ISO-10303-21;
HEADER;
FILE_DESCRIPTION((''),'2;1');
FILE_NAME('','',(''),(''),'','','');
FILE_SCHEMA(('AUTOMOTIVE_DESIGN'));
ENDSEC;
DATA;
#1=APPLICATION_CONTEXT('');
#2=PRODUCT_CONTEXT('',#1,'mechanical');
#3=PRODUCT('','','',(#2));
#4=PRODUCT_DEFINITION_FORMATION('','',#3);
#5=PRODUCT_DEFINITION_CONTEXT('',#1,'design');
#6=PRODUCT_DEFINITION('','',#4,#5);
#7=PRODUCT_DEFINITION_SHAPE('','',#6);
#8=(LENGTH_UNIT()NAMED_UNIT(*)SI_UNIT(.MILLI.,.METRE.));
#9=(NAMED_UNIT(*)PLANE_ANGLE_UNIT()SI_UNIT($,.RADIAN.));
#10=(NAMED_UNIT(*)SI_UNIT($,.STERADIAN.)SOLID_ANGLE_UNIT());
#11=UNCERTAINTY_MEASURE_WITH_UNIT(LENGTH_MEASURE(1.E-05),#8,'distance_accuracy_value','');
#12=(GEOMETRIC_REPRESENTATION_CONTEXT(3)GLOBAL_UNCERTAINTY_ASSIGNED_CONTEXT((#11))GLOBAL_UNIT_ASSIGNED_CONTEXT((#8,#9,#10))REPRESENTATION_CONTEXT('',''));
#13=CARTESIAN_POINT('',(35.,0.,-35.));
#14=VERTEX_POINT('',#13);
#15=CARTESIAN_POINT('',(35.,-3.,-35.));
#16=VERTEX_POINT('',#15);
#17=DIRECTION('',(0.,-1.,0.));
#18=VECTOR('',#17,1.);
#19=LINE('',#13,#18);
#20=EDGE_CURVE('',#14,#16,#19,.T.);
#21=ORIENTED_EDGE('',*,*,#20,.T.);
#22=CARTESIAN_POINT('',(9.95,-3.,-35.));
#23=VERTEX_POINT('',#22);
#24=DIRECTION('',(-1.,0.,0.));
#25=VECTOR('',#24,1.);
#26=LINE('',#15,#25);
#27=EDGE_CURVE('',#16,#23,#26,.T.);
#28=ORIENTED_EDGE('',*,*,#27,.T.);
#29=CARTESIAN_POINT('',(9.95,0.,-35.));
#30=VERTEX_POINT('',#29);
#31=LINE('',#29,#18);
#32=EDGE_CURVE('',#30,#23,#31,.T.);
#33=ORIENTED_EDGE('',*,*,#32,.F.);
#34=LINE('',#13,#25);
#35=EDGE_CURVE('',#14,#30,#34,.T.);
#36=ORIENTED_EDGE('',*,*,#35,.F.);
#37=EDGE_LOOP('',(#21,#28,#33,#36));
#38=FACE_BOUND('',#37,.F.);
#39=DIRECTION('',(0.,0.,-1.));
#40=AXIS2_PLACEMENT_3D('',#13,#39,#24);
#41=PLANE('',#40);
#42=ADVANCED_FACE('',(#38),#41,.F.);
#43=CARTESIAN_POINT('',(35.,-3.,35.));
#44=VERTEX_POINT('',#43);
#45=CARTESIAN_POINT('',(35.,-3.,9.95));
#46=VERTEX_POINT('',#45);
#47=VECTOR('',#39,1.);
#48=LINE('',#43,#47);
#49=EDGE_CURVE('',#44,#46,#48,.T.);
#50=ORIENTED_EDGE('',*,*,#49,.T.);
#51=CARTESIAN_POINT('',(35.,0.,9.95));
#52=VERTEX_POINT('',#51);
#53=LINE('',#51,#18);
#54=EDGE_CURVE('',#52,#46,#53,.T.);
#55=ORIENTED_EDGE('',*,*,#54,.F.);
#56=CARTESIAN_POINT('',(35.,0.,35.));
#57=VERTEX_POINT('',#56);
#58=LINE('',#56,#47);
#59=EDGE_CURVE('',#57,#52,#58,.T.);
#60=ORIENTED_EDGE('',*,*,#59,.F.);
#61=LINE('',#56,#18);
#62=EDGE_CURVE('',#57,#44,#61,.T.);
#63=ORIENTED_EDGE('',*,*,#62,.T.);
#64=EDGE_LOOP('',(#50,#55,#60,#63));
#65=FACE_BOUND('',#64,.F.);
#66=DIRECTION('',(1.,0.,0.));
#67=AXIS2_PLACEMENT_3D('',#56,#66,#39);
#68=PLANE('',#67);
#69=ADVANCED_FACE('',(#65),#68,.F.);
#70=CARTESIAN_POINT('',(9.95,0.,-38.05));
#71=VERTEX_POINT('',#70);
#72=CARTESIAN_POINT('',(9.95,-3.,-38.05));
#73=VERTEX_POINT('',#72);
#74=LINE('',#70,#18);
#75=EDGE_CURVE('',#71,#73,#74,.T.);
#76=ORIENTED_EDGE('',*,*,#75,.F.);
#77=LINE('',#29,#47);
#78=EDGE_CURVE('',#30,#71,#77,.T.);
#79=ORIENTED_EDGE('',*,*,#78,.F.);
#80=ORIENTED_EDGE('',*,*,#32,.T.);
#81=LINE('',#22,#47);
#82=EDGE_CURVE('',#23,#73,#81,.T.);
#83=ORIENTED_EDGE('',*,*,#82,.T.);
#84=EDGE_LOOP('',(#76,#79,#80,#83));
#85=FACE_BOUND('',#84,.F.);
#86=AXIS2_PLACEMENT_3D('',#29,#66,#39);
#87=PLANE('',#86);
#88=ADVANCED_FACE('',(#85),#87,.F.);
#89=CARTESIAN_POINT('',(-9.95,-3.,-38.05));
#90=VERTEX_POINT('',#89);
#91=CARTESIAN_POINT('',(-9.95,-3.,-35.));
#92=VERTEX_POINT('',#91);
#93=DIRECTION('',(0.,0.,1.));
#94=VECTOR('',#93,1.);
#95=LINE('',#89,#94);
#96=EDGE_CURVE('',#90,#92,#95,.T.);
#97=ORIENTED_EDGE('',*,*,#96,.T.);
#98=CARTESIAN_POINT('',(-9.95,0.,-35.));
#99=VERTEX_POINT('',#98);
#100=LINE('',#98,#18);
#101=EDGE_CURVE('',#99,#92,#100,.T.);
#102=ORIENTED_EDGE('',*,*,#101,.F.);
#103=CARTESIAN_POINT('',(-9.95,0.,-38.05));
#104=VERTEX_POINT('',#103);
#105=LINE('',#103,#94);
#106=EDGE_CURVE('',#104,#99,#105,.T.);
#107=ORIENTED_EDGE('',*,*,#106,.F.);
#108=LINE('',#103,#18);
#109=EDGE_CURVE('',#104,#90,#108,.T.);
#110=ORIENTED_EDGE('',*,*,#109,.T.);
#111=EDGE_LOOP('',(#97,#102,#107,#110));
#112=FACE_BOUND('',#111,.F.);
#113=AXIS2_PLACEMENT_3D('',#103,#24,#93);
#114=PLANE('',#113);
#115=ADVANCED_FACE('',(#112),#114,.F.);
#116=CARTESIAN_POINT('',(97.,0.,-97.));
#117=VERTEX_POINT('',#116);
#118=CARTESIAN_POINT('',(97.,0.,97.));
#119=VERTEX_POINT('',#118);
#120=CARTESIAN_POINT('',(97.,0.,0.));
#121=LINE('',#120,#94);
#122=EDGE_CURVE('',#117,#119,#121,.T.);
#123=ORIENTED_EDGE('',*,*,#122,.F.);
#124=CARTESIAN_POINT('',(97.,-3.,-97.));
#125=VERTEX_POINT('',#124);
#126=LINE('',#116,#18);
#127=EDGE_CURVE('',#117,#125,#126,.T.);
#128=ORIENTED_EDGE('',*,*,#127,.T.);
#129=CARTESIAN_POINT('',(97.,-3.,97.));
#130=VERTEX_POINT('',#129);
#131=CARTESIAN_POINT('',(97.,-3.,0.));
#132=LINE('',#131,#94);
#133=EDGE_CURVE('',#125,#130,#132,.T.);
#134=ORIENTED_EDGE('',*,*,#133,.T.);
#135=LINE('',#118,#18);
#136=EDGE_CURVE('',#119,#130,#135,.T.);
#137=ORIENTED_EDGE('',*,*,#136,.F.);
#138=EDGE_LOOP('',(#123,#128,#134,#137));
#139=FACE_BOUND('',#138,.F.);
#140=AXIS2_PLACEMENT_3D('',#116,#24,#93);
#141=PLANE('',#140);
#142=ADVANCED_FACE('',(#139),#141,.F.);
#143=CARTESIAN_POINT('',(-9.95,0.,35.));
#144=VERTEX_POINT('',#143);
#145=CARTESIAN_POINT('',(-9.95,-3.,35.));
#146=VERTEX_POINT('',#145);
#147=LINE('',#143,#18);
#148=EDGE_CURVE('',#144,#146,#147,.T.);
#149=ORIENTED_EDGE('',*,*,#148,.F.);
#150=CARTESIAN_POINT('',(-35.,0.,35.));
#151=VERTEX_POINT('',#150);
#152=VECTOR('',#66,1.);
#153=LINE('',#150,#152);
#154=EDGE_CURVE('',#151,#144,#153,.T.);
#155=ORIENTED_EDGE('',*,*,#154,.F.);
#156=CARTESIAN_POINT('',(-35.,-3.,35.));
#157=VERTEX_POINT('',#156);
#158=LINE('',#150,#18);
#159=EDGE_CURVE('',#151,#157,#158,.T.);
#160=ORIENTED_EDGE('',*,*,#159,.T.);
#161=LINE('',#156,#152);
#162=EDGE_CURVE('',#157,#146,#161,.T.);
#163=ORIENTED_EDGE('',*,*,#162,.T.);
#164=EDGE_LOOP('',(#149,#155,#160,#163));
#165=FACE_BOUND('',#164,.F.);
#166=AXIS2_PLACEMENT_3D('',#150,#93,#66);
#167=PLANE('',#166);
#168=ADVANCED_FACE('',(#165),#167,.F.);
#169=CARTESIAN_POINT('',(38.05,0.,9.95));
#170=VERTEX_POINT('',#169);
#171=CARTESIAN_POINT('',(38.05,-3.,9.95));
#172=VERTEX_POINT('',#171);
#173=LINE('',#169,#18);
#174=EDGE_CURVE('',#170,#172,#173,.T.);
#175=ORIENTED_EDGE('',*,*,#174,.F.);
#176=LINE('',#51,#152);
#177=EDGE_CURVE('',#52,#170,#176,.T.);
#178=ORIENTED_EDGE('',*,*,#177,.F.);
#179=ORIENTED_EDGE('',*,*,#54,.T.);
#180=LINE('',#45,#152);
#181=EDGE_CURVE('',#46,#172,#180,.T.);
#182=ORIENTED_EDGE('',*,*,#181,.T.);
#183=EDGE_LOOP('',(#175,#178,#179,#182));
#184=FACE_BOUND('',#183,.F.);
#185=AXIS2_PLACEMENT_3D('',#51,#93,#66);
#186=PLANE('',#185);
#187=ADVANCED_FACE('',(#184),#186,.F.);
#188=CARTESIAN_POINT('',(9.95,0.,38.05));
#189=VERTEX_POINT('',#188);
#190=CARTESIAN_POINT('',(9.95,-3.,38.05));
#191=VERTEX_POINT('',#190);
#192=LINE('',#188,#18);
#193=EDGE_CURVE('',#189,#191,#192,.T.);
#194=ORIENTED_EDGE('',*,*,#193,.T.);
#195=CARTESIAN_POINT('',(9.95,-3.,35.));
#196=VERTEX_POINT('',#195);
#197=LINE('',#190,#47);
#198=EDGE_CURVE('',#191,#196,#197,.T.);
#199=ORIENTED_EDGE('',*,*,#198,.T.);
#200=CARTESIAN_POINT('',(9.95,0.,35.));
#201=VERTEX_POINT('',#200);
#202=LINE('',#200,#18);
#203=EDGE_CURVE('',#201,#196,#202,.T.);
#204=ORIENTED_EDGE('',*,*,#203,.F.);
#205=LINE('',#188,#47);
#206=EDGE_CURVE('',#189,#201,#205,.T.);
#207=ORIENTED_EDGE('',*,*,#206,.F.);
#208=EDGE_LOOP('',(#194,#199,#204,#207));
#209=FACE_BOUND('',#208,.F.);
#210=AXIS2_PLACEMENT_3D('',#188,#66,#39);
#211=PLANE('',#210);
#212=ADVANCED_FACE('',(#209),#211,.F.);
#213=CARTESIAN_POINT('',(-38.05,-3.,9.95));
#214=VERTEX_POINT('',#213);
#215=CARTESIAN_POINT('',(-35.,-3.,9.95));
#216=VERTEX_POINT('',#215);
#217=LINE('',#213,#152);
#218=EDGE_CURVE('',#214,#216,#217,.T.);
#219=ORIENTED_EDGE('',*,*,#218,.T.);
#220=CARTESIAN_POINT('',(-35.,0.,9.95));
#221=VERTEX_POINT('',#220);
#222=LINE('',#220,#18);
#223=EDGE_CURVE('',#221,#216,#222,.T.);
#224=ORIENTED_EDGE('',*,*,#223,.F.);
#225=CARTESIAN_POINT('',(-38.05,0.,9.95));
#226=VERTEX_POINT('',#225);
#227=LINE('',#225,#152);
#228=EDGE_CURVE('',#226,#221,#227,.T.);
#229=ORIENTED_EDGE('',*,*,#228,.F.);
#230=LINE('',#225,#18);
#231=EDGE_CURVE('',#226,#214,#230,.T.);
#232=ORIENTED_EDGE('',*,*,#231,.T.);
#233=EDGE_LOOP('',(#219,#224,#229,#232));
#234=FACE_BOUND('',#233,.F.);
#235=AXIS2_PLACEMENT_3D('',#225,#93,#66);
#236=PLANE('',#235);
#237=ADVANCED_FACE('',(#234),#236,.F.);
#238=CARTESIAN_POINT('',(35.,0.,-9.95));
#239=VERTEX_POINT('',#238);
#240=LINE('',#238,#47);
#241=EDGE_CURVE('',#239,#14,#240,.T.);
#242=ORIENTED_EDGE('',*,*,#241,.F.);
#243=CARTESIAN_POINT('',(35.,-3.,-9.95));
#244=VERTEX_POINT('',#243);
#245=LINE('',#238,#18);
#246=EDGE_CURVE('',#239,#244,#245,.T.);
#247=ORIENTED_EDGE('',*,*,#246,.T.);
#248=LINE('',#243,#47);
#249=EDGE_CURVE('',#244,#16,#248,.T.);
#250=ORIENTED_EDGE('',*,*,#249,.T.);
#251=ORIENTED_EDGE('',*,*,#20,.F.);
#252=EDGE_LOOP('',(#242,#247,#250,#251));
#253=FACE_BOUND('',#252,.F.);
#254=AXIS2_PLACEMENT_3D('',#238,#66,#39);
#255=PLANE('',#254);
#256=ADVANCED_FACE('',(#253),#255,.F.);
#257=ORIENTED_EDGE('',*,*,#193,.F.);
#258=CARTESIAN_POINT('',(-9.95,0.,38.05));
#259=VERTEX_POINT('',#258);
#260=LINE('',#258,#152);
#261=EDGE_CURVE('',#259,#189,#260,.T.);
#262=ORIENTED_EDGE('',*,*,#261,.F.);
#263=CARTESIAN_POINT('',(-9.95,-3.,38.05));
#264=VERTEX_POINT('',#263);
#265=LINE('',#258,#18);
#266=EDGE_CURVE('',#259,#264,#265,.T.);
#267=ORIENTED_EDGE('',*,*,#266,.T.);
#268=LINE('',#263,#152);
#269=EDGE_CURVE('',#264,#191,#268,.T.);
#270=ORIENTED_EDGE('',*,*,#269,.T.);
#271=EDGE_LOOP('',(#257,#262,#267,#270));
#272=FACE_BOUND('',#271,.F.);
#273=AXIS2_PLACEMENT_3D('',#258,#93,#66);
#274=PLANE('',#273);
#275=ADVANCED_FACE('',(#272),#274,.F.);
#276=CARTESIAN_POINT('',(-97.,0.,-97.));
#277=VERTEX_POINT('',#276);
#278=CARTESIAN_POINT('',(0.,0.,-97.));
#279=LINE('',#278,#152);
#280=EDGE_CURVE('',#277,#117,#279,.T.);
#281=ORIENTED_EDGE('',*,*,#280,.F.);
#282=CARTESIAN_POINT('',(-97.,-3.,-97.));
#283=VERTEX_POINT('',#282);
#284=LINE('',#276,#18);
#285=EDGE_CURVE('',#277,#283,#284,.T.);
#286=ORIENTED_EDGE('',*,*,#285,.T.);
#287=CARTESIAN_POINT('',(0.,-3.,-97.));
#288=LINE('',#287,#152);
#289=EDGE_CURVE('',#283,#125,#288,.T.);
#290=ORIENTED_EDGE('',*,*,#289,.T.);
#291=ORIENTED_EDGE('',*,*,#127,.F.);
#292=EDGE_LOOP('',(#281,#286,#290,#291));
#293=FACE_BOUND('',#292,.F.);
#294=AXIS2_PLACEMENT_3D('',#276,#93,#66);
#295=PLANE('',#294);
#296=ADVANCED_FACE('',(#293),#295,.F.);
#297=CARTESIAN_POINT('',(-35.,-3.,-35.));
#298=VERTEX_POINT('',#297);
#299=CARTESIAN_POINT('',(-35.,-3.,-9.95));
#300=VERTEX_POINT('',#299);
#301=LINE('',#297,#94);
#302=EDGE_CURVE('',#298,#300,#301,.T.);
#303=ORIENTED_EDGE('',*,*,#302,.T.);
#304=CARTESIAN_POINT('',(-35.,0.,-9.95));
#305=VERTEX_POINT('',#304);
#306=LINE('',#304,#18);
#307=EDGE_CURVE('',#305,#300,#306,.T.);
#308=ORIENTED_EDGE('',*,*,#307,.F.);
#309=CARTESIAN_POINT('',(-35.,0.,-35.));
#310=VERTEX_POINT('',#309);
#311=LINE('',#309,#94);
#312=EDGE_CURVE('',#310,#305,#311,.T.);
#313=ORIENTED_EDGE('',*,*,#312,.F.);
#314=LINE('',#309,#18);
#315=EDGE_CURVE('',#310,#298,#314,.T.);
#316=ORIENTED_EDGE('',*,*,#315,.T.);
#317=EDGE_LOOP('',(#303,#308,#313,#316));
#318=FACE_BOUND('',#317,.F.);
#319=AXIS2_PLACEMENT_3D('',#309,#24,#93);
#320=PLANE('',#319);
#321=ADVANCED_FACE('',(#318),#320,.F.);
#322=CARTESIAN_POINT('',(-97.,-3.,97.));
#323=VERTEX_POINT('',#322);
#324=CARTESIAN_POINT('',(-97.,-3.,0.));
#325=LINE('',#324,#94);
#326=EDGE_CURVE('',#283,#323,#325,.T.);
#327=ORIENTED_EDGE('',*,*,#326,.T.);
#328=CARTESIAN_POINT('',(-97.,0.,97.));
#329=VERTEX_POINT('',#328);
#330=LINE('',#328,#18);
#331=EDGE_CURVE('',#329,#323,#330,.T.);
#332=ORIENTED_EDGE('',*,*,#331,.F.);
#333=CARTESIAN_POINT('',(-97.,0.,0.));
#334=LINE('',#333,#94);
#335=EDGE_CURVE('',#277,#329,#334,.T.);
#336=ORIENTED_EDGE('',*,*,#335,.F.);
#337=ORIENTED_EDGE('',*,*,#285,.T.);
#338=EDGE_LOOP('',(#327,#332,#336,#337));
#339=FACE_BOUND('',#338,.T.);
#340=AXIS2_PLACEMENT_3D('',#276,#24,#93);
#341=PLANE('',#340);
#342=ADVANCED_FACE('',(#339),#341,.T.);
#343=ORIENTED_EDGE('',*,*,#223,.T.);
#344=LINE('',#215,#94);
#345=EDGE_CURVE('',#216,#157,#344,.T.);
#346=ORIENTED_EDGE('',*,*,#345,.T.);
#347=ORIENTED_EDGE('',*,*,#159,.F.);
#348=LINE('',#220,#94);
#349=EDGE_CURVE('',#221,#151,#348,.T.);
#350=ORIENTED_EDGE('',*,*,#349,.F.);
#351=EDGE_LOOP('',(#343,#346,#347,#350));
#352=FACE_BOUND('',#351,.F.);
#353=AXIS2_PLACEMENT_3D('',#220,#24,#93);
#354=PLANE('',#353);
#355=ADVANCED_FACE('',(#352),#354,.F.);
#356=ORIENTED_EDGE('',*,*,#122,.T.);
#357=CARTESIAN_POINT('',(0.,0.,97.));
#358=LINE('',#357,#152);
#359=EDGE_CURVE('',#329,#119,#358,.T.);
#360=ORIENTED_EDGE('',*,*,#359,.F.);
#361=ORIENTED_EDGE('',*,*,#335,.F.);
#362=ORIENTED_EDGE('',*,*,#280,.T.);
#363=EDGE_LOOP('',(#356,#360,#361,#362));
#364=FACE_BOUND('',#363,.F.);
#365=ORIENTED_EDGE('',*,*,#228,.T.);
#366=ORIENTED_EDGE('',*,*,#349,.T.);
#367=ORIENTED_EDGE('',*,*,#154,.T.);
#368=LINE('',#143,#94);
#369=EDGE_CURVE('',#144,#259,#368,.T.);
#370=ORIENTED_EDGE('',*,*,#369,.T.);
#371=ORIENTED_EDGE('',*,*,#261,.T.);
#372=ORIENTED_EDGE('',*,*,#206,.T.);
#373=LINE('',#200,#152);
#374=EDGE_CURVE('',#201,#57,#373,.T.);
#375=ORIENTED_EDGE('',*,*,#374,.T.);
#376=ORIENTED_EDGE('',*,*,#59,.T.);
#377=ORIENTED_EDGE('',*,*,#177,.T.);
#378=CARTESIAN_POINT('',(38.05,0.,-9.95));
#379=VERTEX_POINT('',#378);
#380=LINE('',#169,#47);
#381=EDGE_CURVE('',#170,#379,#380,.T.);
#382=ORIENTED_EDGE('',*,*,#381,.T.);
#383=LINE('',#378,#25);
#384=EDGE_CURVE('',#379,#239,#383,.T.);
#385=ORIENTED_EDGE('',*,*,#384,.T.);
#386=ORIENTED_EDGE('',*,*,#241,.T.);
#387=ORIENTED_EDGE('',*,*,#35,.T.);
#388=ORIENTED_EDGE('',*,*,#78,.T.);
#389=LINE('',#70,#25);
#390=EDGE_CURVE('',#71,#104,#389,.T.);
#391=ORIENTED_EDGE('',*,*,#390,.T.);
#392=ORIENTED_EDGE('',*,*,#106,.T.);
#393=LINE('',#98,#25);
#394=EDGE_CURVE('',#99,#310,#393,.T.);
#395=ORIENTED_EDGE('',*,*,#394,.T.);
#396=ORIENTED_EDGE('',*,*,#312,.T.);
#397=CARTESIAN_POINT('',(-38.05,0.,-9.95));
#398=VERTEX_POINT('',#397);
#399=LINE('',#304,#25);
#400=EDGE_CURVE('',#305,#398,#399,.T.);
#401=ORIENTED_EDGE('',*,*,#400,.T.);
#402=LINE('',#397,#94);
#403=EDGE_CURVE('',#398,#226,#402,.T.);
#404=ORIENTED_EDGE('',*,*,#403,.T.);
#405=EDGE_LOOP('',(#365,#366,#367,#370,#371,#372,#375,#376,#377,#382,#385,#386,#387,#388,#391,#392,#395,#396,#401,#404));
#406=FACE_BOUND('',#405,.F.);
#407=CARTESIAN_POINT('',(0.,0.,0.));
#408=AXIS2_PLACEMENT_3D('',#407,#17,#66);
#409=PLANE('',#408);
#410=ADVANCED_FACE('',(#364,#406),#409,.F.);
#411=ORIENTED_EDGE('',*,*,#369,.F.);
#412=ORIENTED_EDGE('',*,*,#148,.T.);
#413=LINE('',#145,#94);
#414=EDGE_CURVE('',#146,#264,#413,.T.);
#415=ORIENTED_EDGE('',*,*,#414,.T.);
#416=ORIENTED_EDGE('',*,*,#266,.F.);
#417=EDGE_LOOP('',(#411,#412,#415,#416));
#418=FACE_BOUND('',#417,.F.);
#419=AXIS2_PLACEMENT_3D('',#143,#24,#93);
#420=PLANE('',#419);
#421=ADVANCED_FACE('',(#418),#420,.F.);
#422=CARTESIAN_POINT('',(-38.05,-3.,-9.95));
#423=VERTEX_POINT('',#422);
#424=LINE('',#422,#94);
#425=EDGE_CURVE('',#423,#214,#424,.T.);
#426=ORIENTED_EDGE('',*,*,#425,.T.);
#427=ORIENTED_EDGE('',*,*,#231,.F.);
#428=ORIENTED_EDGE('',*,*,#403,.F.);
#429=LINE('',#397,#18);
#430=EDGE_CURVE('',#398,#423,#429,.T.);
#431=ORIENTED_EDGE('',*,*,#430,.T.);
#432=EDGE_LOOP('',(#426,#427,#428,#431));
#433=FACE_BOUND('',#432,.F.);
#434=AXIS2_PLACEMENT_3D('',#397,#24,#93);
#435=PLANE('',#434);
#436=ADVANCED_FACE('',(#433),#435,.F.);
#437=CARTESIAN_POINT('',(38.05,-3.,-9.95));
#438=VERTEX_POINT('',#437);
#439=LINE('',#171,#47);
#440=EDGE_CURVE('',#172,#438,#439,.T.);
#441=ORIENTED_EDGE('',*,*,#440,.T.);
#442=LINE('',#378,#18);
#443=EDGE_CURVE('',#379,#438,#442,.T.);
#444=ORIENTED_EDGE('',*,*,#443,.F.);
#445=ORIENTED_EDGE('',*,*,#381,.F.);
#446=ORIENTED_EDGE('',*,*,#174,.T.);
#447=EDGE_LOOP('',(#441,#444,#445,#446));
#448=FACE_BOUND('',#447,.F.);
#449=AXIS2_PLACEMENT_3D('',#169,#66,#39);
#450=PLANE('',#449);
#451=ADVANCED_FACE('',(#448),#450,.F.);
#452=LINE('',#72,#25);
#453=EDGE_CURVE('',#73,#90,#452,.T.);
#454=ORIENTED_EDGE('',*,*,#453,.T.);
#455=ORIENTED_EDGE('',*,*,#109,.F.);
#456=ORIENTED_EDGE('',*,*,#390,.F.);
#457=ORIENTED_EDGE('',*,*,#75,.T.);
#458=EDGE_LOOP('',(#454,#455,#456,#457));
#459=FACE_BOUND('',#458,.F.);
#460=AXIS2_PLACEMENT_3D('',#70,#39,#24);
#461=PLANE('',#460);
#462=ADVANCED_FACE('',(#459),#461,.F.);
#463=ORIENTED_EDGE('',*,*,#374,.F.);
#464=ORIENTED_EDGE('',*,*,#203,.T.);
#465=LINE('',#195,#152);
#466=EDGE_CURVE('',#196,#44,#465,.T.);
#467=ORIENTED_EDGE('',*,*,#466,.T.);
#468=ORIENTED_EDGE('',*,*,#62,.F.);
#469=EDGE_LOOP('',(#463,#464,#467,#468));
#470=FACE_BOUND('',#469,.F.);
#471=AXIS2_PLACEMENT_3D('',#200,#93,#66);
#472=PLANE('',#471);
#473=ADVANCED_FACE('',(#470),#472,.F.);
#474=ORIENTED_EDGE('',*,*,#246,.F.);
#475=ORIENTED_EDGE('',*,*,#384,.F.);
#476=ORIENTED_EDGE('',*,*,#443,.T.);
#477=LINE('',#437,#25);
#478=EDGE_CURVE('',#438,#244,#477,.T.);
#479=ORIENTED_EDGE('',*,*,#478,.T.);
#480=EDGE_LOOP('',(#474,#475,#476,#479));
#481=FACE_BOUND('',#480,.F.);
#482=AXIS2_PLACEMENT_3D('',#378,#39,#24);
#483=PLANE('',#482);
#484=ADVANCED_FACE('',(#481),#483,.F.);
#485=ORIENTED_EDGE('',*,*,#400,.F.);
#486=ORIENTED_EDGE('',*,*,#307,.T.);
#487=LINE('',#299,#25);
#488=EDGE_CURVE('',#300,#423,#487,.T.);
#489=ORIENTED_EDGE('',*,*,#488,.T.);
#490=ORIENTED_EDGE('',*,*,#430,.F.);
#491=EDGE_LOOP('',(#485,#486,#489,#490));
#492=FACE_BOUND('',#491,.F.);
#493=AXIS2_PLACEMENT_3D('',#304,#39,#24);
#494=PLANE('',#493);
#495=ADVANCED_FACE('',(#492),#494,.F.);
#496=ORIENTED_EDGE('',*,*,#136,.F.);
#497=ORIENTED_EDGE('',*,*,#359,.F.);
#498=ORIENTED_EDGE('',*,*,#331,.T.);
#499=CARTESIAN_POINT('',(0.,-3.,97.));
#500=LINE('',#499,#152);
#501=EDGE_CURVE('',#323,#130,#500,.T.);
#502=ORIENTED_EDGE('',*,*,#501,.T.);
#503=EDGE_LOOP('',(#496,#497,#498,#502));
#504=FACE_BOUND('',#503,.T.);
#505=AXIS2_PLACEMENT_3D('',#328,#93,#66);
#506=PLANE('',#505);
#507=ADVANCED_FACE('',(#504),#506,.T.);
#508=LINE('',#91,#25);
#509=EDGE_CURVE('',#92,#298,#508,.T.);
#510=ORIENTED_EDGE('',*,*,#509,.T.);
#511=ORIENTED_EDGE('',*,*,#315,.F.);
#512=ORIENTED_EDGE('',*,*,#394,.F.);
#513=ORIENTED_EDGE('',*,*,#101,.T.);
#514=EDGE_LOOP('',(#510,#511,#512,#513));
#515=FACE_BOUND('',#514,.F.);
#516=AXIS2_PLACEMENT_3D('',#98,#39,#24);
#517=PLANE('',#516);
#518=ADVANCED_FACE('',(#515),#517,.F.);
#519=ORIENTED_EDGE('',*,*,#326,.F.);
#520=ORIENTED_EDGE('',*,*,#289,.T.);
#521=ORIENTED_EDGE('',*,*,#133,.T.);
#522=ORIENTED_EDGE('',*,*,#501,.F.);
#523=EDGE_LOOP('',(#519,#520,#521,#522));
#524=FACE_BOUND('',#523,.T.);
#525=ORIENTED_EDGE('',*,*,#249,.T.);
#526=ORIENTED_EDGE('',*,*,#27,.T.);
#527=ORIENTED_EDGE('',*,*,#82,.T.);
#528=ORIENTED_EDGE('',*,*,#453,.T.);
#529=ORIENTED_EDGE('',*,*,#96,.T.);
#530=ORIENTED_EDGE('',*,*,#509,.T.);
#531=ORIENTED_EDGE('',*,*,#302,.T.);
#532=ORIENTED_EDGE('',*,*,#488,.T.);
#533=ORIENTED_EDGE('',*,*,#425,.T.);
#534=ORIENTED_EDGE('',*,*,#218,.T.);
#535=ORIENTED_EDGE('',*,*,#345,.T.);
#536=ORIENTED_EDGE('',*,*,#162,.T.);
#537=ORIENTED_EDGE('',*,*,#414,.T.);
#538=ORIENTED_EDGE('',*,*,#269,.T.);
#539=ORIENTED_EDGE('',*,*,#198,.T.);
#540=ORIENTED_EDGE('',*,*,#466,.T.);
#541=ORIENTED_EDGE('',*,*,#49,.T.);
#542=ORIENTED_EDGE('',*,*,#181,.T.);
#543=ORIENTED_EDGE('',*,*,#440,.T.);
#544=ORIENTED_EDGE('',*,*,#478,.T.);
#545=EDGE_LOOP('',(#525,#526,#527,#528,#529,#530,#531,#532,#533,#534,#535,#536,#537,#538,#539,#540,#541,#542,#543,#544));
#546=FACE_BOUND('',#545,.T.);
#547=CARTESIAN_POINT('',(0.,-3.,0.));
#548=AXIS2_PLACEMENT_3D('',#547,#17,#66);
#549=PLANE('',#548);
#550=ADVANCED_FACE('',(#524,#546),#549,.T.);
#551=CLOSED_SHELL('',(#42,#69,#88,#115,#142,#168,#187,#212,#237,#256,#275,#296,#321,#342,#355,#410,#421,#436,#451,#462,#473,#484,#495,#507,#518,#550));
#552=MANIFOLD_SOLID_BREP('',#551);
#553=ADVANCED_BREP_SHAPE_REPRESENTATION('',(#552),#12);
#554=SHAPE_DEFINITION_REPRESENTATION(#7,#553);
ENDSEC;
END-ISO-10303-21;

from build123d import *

# Parameters (mm, degrees)
F0_W     = 194
F0_H     = 194
F1_DEPTH = 3


with BuildPart() as f1:
    # F0 (on Front) → F1 (new body)
    with BuildSketch(Plane.XZ):
        Rectangle(F0_W, F0_H)
        Polygon((35, -9.95), (35, -35), (9.95, -35), (9.95, -38.05), (-9.95, -38.05), (-9.95, -35), (-35, -35), (-35, -9.95), (-38.05, -9.95), (-38.05, 9.95), (-35, 9.95), (-35, 35), (-9.95, 35), (-9.95, 38.05), (9.95, 38.05), (9.95, 35), (35, 35), (35, 9.95), (38.05, 9.95), (38.05, -9.95), align=None, mode=Mode.SUBTRACT)
    extrude(amount=F1_DEPTH)


solid = f1.part
